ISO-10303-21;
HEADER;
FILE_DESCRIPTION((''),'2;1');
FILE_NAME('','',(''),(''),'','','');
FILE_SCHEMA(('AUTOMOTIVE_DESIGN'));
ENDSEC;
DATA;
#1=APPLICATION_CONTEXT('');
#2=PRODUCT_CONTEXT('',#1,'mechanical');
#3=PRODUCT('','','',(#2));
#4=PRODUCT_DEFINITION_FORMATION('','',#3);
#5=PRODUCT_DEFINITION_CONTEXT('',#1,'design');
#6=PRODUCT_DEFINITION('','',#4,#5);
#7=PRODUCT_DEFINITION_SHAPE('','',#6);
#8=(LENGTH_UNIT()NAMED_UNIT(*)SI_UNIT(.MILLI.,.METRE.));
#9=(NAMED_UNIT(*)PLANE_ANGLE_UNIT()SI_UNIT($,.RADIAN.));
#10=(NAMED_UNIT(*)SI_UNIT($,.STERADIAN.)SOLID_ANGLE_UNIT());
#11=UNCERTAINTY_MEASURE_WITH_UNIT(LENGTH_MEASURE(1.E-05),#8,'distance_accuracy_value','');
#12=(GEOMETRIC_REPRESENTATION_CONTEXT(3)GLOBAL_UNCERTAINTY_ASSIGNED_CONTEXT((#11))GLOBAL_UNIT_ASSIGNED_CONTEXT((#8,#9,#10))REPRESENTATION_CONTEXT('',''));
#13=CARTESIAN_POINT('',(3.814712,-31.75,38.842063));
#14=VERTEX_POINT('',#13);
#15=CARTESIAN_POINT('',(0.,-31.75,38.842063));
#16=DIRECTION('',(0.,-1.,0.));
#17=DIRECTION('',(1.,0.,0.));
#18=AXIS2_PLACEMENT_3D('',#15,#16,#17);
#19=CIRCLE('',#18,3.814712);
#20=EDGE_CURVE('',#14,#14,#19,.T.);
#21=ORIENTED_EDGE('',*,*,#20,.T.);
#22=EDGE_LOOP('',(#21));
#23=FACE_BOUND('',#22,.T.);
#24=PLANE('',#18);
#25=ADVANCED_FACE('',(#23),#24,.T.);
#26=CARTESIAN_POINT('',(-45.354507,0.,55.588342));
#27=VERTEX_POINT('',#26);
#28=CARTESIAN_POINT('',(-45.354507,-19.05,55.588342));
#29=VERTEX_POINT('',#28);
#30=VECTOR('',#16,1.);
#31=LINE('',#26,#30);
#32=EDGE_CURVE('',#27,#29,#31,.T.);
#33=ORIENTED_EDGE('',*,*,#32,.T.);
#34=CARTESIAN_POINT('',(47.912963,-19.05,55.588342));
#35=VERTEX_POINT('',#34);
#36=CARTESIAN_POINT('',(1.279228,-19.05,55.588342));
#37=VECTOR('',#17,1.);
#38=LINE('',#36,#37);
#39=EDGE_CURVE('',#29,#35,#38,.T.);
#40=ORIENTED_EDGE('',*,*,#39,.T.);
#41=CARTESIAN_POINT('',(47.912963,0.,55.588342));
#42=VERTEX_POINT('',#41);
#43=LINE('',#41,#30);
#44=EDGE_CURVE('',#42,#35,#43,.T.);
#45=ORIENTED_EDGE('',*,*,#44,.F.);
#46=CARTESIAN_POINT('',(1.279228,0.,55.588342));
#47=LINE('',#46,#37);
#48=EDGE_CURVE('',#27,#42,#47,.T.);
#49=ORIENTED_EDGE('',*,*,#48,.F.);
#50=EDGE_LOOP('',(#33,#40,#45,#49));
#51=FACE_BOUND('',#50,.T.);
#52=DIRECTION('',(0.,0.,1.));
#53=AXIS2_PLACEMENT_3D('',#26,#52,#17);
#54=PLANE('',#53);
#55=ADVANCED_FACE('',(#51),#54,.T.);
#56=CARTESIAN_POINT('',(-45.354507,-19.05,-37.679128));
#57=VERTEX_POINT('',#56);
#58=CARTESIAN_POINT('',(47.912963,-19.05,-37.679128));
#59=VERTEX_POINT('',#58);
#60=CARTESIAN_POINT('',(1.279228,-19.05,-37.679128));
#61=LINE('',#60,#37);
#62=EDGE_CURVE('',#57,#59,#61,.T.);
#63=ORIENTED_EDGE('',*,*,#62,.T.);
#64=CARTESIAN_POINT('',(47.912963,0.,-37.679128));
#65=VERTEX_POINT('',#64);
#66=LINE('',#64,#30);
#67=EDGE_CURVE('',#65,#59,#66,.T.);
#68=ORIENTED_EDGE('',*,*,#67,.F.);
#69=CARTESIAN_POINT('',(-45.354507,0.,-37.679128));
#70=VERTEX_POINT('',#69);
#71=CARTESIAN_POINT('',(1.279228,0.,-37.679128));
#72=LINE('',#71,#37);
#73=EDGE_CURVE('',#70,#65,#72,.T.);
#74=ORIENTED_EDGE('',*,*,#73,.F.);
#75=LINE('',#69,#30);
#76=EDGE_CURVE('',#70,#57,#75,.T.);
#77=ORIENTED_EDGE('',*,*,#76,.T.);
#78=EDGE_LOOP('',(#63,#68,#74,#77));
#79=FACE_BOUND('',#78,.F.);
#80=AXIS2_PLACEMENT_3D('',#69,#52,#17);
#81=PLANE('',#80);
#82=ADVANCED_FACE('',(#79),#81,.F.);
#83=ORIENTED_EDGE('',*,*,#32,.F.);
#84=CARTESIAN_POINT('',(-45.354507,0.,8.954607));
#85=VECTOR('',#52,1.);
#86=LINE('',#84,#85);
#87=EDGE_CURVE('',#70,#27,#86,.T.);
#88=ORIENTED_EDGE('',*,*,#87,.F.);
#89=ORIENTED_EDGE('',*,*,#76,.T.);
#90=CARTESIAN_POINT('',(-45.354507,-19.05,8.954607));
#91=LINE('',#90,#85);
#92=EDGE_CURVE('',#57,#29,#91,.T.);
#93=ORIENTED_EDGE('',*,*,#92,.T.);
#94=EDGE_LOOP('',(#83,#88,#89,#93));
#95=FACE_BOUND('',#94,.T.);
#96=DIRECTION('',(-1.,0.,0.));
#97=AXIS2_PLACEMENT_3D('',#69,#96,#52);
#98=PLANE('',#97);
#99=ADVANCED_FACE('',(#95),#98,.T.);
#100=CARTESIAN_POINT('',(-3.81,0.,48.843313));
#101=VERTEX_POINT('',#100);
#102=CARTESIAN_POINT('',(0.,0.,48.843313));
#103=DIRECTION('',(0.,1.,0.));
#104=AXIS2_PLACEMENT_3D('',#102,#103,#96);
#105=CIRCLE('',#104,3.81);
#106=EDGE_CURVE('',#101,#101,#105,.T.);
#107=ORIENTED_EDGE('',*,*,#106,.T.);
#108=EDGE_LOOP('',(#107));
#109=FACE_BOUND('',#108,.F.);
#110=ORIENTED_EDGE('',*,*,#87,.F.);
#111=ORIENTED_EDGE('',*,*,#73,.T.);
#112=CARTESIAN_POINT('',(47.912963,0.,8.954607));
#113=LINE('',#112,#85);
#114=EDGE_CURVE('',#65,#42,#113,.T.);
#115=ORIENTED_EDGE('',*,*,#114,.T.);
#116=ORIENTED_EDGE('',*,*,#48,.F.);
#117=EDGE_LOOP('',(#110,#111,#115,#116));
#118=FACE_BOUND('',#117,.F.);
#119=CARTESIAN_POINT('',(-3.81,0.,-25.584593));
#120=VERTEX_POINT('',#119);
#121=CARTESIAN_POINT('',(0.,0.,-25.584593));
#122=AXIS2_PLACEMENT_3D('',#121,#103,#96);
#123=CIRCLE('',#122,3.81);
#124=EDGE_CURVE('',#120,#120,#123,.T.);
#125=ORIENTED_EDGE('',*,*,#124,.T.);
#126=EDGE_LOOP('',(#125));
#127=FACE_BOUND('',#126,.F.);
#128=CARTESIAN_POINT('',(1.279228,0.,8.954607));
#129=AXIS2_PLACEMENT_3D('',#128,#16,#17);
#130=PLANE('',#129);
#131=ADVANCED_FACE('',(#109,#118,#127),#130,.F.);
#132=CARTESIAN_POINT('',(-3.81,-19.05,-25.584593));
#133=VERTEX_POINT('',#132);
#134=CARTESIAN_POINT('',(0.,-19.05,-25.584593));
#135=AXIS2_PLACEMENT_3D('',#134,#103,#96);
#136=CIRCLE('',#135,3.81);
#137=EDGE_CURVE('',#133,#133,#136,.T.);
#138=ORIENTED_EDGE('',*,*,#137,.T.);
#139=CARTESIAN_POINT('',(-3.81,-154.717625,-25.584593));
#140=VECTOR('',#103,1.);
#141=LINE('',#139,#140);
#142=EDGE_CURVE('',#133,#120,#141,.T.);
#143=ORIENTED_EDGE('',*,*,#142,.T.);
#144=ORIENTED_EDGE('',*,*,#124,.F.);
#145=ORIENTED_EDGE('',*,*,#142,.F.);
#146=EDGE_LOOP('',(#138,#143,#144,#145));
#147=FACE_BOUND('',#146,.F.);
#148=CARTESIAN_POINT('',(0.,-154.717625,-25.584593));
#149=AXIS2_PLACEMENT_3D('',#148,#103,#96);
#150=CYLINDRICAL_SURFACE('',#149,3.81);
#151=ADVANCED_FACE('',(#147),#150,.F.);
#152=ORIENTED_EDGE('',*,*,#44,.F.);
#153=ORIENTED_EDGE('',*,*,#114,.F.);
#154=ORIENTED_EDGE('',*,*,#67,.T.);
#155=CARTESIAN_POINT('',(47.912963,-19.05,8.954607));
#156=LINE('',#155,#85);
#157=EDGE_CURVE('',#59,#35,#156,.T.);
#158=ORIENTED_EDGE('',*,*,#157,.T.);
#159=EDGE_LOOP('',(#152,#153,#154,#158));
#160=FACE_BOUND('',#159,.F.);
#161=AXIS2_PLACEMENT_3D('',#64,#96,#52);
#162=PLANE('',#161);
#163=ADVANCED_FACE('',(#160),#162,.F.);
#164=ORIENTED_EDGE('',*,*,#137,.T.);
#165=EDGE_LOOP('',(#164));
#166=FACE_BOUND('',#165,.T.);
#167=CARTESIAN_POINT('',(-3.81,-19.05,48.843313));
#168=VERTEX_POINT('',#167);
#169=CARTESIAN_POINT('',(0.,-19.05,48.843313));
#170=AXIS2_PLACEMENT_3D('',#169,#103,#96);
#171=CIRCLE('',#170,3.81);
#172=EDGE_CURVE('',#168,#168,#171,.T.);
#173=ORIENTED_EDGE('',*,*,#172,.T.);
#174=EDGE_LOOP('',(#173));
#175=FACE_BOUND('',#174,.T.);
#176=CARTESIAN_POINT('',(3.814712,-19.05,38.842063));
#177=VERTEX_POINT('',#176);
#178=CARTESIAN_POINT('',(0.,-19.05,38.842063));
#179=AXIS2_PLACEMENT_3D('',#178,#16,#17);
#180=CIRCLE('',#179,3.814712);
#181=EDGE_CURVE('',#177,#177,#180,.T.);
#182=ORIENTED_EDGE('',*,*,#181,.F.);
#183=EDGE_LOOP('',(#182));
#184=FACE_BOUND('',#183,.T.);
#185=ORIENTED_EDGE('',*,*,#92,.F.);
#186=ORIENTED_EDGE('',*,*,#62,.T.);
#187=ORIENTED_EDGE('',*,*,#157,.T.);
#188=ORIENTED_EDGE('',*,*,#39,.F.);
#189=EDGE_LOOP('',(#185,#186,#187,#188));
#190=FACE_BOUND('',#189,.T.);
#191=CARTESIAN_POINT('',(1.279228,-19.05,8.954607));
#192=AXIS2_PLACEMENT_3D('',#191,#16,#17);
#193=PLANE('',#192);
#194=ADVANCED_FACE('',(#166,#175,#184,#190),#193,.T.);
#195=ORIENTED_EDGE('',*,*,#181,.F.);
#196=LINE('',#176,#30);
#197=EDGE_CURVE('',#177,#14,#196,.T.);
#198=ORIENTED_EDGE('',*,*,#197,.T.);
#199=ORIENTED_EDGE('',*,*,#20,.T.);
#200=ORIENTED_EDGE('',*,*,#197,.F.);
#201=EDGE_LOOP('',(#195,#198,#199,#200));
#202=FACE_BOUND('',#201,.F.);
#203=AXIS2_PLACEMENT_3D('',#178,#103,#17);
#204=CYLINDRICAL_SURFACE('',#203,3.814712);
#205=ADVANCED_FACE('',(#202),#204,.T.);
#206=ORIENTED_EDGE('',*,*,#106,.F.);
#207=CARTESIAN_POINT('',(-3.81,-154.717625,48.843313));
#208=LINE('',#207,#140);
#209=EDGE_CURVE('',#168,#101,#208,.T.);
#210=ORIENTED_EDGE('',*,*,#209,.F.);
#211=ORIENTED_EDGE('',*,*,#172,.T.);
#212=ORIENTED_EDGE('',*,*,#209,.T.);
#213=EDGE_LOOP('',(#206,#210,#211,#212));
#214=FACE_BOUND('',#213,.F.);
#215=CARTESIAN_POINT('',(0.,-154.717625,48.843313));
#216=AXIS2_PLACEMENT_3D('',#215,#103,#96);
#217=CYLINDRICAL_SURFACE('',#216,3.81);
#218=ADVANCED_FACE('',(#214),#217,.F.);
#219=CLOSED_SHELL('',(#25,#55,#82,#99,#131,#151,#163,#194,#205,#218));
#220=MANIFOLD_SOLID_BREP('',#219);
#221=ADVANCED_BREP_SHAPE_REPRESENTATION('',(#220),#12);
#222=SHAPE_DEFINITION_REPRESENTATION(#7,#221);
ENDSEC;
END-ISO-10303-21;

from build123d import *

# Parameters (mm, degrees)
F0_W     = 93.267471
F0_H     = 93.26747
F1_DEPTH = 19.05
F2_R     = 3.814712
F3_DEPTH = 12.7
F5_D     = 7.62


with BuildPart() as f1:
    # F0 (on Front) → F1 (new body)
    with BuildSketch(Plane.XZ):
        with Locations((1.279228, 8.954607)):
            Rectangle(F0_W, F0_H)
    extrude(amount=F1_DEPTH)

    # F2 (on face) → F3 (join)
    with BuildSketch(Plane.XZ.offset(19.05)):
        with Locations((0, 38.842063)):
            Circle(F2_R)
    extrude(amount=F3_DEPTH)

    # F5 (through all)
    with Locations(Plane.XZ.offset(19.05)):
        with Locations((0, 48.843313), (0, -25.584593)):
            Hole(F5_D / 2)


solid = f1.part
